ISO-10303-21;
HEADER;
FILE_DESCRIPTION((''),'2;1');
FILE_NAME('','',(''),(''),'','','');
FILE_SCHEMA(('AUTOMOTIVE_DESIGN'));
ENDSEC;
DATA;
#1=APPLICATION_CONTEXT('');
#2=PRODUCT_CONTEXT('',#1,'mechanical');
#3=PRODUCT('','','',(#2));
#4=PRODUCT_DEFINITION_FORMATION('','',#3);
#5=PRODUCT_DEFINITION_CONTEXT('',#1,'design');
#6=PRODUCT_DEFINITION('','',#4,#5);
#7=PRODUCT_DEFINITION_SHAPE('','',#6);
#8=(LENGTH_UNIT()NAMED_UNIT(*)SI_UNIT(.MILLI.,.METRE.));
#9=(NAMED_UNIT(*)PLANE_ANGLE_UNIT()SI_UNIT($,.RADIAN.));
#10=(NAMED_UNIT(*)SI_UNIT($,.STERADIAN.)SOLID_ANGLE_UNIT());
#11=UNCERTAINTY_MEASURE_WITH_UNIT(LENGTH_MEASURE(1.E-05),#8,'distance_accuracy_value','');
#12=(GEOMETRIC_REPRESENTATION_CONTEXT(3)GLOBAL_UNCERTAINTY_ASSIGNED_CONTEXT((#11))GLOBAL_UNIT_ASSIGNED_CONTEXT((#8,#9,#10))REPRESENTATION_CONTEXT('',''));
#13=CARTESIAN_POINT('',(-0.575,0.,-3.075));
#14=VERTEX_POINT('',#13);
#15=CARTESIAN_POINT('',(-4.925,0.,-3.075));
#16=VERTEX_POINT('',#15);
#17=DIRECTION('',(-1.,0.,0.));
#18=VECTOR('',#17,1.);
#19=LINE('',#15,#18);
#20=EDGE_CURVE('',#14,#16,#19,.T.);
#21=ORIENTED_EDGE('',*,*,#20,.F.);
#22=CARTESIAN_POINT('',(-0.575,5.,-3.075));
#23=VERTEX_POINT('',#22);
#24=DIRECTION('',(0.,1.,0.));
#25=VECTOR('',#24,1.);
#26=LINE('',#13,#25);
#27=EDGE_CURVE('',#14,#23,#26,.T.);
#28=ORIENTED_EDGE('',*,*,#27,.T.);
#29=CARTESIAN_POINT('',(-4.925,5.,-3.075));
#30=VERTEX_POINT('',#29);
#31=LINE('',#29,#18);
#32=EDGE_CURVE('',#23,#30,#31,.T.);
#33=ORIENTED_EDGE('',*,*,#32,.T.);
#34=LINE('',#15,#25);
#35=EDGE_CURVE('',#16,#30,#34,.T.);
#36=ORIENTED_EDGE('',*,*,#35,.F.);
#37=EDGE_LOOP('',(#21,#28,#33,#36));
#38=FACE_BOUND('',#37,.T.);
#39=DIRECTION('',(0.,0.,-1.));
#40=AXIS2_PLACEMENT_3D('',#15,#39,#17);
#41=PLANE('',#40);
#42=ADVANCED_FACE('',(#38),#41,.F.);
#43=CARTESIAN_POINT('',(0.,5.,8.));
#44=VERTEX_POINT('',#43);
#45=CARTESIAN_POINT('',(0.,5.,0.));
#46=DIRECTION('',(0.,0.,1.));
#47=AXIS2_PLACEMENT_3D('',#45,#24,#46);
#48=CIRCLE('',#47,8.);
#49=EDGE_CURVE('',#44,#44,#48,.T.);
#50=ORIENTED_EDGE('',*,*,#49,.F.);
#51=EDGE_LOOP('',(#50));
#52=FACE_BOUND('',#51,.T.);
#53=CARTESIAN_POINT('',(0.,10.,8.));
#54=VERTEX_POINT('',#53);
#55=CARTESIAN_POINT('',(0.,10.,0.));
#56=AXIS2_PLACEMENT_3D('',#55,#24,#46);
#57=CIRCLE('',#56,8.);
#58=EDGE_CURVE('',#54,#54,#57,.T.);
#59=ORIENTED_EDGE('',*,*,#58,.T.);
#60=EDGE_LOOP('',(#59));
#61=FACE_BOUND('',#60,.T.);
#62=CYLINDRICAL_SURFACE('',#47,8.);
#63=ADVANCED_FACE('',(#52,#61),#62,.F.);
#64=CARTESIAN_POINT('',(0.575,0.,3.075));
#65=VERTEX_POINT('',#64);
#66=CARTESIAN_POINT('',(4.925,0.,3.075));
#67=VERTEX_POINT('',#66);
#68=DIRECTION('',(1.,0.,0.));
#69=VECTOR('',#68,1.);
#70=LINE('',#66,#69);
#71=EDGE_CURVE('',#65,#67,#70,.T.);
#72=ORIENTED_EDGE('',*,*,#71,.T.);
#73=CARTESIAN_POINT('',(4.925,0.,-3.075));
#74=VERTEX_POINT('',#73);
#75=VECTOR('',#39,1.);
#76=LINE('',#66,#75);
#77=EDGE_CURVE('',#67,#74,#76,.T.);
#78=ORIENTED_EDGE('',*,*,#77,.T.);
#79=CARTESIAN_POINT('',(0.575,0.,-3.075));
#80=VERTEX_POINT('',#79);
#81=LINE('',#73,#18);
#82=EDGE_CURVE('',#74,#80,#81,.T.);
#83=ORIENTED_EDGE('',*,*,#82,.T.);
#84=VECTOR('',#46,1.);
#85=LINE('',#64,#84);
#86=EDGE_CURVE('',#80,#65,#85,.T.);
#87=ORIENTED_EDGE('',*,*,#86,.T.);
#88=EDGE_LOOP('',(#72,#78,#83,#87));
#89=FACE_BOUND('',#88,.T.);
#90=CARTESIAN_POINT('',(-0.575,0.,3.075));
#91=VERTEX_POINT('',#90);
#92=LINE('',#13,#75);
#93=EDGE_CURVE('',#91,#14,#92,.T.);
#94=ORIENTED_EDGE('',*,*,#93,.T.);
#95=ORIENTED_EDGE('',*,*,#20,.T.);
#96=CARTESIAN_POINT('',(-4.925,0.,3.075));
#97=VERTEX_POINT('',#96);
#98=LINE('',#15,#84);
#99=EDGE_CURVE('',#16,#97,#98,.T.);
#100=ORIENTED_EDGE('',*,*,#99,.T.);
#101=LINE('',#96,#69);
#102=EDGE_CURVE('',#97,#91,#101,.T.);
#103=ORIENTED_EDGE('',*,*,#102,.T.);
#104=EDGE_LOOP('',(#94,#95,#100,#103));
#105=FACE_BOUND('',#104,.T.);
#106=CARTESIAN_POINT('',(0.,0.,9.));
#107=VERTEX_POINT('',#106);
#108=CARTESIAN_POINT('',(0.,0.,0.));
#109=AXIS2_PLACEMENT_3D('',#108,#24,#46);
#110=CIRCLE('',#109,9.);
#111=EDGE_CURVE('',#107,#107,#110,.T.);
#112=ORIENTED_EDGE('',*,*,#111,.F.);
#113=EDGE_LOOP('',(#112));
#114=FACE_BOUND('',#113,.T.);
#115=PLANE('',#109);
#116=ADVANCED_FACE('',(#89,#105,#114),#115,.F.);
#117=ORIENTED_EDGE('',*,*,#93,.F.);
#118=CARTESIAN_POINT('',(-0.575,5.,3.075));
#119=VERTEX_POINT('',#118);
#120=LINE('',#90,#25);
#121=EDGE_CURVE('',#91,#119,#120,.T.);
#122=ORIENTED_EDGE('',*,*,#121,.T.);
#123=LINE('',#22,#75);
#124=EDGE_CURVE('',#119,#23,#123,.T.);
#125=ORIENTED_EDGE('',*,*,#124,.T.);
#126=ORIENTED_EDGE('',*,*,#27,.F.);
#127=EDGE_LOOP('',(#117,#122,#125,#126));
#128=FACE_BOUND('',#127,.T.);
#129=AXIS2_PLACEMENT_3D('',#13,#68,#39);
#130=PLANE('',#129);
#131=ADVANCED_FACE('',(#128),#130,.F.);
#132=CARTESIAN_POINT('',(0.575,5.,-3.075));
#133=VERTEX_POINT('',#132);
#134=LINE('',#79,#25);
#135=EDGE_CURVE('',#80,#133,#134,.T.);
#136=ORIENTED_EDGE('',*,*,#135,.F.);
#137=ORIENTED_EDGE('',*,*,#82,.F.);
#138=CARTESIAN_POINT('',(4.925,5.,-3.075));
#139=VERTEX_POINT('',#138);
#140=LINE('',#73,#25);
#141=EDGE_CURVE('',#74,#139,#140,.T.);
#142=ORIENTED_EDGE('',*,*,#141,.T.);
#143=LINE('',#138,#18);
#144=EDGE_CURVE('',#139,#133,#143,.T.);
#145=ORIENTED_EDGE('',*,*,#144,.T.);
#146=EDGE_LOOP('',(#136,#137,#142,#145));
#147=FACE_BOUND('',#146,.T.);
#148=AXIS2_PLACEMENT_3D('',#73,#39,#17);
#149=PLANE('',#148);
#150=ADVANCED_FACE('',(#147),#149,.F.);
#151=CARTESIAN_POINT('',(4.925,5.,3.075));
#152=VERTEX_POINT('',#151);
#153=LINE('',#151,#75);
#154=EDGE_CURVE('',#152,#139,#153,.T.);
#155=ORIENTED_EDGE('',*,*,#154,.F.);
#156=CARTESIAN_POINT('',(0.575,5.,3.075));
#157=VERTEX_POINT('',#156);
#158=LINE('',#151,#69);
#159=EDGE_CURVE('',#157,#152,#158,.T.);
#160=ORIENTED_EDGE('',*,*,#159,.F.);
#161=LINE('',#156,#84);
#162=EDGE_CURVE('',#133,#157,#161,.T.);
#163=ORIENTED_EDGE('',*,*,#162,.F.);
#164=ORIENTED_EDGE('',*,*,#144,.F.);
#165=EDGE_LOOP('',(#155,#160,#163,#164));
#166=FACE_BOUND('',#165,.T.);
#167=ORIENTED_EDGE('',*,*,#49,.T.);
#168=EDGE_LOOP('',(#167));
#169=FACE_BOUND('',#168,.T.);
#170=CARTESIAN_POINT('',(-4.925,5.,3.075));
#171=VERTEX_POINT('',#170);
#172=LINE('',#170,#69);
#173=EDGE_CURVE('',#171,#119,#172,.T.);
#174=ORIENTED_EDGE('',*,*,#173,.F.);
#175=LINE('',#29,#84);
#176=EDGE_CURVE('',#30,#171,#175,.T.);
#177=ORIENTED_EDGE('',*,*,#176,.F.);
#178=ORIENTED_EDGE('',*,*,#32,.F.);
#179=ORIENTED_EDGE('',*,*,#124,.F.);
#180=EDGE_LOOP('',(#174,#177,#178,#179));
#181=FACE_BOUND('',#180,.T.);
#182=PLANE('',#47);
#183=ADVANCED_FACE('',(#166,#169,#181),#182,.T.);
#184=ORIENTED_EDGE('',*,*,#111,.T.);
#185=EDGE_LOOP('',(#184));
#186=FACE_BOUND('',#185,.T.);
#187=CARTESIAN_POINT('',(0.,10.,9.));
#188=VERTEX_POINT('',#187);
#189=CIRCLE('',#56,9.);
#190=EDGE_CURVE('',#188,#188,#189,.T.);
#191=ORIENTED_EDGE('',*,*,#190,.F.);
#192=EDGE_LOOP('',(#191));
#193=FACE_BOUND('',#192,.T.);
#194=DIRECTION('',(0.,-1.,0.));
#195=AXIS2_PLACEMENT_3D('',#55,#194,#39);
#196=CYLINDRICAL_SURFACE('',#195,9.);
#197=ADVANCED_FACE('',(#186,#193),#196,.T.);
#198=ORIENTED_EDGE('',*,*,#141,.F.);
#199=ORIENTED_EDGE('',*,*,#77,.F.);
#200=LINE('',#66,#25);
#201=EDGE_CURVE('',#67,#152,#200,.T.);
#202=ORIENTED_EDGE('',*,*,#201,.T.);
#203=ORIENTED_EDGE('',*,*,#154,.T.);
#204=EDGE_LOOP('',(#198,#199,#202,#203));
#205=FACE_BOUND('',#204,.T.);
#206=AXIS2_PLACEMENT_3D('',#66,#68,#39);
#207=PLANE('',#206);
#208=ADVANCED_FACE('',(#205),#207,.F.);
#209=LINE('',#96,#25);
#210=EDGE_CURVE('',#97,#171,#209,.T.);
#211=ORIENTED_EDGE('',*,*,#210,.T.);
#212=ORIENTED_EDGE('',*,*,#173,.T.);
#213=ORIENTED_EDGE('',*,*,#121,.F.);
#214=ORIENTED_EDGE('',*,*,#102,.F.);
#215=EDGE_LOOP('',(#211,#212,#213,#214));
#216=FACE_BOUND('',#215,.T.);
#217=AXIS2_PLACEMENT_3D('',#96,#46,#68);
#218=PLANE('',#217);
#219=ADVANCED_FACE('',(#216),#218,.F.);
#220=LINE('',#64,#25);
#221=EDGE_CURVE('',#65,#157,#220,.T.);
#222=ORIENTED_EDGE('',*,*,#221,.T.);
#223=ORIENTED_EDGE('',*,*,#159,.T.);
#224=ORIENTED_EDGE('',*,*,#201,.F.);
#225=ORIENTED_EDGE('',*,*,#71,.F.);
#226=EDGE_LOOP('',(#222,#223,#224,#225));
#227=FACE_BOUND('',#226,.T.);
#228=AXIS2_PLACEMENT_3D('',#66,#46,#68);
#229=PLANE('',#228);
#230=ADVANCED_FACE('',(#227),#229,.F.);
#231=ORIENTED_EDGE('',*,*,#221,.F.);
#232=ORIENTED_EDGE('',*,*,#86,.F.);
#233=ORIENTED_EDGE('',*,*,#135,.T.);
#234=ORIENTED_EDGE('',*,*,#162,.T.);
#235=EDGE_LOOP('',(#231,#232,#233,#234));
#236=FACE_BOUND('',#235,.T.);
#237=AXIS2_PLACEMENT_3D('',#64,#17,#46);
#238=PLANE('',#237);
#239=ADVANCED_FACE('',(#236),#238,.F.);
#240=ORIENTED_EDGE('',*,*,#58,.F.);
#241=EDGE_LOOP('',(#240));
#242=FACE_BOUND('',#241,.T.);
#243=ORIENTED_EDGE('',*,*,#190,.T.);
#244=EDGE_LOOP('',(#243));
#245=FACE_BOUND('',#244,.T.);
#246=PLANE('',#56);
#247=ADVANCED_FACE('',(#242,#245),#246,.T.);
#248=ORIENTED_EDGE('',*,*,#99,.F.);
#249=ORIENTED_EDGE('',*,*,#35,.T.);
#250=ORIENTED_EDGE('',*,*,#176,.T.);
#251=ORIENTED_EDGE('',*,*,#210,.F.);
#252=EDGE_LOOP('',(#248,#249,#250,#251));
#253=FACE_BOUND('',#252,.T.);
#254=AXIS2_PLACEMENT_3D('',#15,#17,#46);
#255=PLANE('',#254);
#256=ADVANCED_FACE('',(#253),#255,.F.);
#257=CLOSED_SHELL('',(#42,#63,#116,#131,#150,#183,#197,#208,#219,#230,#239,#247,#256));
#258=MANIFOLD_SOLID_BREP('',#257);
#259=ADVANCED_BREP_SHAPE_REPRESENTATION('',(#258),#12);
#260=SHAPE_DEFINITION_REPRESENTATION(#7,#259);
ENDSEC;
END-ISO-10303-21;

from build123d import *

# Parameters (mm, degrees)
SKETCH2_R           = 9
BOSS_EXTRUDE2_DEPTH = 10
SKETCH3_R           = 8
CUT_EXTRUDE1_DEPTH  = 5
SKETCH4_W           = 4.35
SKETCH4_H           = 6.15
CUT_EXTRUDE2_DEPTH  = 6


with BuildPart() as part:
    # Sketch2 → Boss-Extrude2 (new body)
    with BuildSketch(Plane(origin=(0, 0, 0), x_dir=(1, 0, 0), z_dir=(0, 1, 0))):
        Circle(SKETCH2_R)
    extrude(amount=BOSS_EXTRUDE2_DEPTH)

    # Sketch3 → Cut-Extrude1 (cut)
    with BuildSketch(Plane(origin=(0, 10, 0), x_dir=(1, 0, 0), z_dir=(0, 1, 0))):
        Circle(SKETCH3_R)
    extrude(amount=-CUT_EXTRUDE1_DEPTH, mode=Mode.SUBTRACT)

    # Sketch4 → Cut-Extrude2 (cut, through all)
    with BuildSketch(Plane(origin=(0, 5, 0), x_dir=(1, 0, 0), z_dir=(0, 1, 0))):
        with Locations((2.75, 0)):
            Rectangle(SKETCH4_W, SKETCH4_H)
        with Locations((-2.75, 0)):
            Rectangle(SKETCH4_W, SKETCH4_H)
    extrude(amount=-CUT_EXTRUDE2_DEPTH, mode=Mode.SUBTRACT)


solid = part.part
